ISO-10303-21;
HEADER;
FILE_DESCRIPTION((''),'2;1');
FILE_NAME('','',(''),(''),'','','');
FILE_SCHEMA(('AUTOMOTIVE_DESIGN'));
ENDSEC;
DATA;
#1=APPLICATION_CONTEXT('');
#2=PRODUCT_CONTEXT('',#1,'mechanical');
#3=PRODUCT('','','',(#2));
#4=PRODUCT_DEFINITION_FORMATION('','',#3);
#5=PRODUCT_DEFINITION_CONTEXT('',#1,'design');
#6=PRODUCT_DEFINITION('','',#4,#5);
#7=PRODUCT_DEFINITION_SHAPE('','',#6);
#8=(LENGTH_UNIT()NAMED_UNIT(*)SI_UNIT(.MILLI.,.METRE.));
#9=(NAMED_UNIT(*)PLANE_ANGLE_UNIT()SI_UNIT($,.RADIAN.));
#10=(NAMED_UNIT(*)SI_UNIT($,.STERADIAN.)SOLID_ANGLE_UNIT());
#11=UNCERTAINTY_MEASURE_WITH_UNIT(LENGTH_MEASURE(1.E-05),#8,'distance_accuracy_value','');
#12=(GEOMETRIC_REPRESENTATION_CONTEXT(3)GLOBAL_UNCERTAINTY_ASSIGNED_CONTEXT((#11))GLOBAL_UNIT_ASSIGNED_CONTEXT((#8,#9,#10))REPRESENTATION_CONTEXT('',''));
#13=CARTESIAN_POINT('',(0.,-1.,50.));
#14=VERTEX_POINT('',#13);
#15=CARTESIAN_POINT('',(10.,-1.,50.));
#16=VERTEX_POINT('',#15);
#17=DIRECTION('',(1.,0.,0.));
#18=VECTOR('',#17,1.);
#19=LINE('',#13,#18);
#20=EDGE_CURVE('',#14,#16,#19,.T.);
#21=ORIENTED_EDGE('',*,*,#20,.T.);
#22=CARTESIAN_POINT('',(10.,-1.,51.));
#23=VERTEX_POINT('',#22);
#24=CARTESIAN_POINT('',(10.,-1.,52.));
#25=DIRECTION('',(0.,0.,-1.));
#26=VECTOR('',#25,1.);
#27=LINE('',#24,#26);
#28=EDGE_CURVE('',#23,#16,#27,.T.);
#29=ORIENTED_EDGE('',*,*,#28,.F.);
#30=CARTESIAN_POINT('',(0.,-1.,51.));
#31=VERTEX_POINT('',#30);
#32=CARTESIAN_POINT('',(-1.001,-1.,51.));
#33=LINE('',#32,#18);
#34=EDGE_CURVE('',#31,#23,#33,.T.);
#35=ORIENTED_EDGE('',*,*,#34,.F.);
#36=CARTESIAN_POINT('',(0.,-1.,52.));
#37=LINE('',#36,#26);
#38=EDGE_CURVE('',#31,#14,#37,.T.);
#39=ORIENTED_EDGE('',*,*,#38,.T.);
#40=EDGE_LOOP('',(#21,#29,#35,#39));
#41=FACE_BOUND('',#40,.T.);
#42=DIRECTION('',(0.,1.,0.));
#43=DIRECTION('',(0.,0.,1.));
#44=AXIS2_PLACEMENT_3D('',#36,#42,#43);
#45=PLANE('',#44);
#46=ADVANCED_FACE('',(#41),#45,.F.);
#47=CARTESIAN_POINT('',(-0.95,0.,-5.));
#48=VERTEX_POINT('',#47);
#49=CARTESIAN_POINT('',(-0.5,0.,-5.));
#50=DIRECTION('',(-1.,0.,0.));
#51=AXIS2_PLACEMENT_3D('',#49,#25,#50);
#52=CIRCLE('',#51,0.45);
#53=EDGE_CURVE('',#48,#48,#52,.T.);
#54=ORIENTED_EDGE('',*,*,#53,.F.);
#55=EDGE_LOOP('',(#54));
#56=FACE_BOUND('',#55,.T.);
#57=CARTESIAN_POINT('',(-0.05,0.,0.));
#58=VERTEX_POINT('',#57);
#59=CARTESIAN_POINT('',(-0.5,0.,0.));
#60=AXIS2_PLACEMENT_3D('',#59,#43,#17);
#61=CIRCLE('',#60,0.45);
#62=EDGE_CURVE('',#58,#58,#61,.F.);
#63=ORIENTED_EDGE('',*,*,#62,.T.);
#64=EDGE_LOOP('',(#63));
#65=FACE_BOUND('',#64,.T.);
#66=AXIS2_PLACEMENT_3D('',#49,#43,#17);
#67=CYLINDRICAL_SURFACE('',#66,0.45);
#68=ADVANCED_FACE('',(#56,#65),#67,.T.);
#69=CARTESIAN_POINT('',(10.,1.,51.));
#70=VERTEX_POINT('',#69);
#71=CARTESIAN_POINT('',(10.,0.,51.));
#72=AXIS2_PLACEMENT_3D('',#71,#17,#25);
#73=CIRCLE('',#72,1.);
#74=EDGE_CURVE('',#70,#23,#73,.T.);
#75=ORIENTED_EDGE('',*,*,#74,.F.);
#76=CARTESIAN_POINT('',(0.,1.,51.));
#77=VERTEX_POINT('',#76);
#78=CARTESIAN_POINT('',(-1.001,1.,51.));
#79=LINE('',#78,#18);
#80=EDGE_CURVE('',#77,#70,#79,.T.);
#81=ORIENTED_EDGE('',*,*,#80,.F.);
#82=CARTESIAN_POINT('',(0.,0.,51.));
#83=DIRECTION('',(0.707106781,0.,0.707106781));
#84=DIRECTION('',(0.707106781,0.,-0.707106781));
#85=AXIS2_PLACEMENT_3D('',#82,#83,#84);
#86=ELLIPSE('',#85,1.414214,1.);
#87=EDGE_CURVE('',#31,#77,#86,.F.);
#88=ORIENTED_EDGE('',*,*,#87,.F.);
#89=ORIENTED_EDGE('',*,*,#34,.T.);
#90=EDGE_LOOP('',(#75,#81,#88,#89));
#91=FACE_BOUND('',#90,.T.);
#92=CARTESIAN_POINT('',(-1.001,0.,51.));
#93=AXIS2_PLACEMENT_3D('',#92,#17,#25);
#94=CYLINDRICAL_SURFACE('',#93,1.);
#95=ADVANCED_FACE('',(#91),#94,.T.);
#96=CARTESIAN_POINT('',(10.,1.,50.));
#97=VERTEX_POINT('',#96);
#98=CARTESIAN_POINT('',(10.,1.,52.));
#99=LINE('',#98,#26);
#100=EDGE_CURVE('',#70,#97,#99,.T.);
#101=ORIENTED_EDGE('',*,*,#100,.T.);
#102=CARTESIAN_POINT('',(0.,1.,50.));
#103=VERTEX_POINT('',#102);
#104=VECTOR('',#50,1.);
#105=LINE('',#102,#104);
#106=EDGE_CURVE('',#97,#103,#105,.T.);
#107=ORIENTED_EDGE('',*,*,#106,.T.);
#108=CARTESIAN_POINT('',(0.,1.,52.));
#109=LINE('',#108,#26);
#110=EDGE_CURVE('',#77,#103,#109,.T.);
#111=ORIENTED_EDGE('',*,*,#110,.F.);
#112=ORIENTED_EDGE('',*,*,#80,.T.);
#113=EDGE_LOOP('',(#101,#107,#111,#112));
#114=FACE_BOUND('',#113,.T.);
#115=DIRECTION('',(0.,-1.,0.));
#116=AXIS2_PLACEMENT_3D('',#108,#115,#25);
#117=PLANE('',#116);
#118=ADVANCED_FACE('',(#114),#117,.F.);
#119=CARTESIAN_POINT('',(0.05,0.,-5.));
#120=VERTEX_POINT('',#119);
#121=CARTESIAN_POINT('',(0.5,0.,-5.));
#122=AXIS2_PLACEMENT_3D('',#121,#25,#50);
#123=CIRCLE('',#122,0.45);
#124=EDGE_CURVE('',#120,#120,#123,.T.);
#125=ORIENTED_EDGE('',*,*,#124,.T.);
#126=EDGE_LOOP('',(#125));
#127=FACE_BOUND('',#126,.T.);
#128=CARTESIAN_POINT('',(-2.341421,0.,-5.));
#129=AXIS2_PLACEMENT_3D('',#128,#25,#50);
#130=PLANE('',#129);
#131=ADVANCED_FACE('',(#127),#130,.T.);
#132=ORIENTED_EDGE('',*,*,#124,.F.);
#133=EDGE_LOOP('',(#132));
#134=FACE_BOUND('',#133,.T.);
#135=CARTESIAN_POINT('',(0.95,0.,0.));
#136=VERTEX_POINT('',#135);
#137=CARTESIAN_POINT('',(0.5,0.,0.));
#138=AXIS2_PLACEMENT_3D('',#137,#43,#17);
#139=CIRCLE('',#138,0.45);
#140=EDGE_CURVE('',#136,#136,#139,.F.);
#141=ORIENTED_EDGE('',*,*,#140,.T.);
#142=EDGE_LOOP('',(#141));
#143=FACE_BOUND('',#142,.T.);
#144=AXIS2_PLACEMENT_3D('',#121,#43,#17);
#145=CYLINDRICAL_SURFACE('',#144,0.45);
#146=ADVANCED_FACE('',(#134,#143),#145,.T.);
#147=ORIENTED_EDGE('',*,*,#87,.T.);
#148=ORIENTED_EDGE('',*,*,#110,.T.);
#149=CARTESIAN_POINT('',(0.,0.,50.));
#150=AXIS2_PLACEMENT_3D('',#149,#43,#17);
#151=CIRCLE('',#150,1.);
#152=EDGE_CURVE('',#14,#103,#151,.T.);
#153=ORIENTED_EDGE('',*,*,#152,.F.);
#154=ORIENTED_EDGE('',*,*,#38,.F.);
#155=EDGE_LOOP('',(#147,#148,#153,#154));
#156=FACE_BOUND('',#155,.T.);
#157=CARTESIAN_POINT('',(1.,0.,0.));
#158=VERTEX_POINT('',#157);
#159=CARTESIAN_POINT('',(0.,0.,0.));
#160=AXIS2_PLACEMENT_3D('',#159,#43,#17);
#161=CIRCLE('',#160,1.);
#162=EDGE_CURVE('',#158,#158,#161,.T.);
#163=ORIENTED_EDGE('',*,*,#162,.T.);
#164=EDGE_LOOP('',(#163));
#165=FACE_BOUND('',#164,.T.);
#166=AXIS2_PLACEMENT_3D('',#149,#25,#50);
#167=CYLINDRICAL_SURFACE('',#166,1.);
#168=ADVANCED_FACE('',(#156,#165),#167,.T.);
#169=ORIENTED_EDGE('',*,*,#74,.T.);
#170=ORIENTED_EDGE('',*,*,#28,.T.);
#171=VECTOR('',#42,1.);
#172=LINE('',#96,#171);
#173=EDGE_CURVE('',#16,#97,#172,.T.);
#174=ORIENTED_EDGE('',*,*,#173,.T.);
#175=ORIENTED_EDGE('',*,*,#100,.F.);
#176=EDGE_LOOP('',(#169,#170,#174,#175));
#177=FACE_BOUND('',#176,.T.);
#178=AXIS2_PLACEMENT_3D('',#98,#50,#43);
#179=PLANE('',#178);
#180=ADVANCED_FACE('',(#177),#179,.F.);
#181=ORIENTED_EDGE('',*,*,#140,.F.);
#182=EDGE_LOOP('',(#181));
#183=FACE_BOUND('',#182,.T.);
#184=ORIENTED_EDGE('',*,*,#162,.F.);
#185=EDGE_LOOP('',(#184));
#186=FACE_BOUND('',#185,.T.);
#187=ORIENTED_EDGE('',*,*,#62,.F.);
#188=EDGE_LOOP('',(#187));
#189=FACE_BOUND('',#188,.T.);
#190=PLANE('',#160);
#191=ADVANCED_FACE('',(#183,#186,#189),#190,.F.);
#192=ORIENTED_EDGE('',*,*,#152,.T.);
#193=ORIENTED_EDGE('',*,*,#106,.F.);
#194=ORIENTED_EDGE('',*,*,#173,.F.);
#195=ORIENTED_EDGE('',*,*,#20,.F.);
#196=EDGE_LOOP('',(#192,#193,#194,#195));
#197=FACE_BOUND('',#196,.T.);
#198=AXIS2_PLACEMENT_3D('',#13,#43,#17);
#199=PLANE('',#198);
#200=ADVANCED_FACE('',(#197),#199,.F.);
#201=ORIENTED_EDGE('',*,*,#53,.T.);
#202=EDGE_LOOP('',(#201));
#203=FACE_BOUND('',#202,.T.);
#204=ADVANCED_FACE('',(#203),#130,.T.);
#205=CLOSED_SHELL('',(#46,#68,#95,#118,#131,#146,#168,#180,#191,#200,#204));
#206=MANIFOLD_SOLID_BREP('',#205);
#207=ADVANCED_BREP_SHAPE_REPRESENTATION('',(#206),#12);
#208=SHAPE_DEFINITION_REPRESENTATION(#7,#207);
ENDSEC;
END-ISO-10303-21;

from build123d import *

# Parameters (mm, degrees)
SKETCH1_R           = 1
BOSS_EXTRUDE1_DEPTH = 50
SKETCH2_W           = 10
SKETCH2_H           = 2
BOSS_EXTRUDE2_DEPTH = 2
BOSS_EXTRUDE3_DEPTH = 2
CUT_EXTRUDE1_REACH  = 55.16
SKETCH5_R           = 0.45
BOSS_EXTRUDE4_DEPTH = 5


with BuildPart() as part:
    # Sketch1 → Boss-Extrude1 (new body)
    with BuildSketch(Plane.XY):
        Circle(SKETCH1_R)
    extrude(amount=BOSS_EXTRUDE1_DEPTH)

    # Sketch2 → Boss-Extrude2 (add)
    with BuildSketch(Plane.XY.offset(50)):
        with Locations((5, 0)):
            Rectangle(SKETCH2_W, SKETCH2_H)
    extrude(amount=BOSS_EXTRUDE2_DEPTH)

    # Sketch3 → Boss-Extrude3 (add)
    with BuildSketch(Plane.XY.offset(50)):
        with BuildLine():
            Line((0, -1), (0, 1))
            ThreePointArc((0, 1), (-1, 0), (0, -1))
        make_face()
    extrude(amount=BOSS_EXTRUDE3_DEPTH)

    # Sketch4 → Cut-Extrude1 (cut, up to next)
    with BuildSketch(Plane(origin=(10, 0, 0), x_dir=(0, 0, -1), z_dir=(1, 0, 0)), mode=Mode.PRIVATE) as cut_extrude1_sk1:
        with BuildLine():
            ThreePointArc((-52, 0), (-51.707106781, 0.707106781), (-51, 1))
            Line((-51, 1), (-52, 1))
            Line((-52, 1), (-52, 0))
        make_face()
    cut_extrude1_tool1 = extrude(cut_extrude1_sk1.sketch, amount=-CUT_EXTRUDE1_REACH, mode=Mode.PRIVATE) & part.part
    # Sketch4 → Cut-Extrude1 (cut, up to next)
    with BuildSketch(Plane(origin=(10, 0, 0), x_dir=(0, 0, -1), z_dir=(1, 0, 0)), mode=Mode.PRIVATE) as cut_extrude1_sk2:
        with BuildLine():
            Line((-52, -1), (-51, -1))
            ThreePointArc((-51, -1), (-51.707106781, -0.707106781), (-52, 0))
            Line((-52, 0), (-52, -1))
        make_face()
    cut_extrude1_tool2 = extrude(cut_extrude1_sk2.sketch, amount=-CUT_EXTRUDE1_REACH, mode=Mode.PRIVATE) & part.part
    add(cut_extrude1_tool1.solids().sort_by_distance((10, 0.776632, 51.776632))[0], mode=Mode.SUBTRACT)
    add(cut_extrude1_tool2.solids().sort_by_distance((10, -0.776632, 51.776632))[0], mode=Mode.SUBTRACT)

    # Sketch5 → Boss-Extrude4 (add)
    with BuildSketch(Plane(origin=(0, 0, 0), x_dir=(-1, 0, 0), z_dir=(0, 0, -1))):
        with Locations(Location((0.5, 0, 0), (0, 0, 180))):
            Circle(SKETCH5_R)
        with Locations(Location((-0.5, 0, 0), (0, 0, 180))):
            Circle(SKETCH5_R)
    extrude(amount=BOSS_EXTRUDE4_DEPTH)


solid = part.part
